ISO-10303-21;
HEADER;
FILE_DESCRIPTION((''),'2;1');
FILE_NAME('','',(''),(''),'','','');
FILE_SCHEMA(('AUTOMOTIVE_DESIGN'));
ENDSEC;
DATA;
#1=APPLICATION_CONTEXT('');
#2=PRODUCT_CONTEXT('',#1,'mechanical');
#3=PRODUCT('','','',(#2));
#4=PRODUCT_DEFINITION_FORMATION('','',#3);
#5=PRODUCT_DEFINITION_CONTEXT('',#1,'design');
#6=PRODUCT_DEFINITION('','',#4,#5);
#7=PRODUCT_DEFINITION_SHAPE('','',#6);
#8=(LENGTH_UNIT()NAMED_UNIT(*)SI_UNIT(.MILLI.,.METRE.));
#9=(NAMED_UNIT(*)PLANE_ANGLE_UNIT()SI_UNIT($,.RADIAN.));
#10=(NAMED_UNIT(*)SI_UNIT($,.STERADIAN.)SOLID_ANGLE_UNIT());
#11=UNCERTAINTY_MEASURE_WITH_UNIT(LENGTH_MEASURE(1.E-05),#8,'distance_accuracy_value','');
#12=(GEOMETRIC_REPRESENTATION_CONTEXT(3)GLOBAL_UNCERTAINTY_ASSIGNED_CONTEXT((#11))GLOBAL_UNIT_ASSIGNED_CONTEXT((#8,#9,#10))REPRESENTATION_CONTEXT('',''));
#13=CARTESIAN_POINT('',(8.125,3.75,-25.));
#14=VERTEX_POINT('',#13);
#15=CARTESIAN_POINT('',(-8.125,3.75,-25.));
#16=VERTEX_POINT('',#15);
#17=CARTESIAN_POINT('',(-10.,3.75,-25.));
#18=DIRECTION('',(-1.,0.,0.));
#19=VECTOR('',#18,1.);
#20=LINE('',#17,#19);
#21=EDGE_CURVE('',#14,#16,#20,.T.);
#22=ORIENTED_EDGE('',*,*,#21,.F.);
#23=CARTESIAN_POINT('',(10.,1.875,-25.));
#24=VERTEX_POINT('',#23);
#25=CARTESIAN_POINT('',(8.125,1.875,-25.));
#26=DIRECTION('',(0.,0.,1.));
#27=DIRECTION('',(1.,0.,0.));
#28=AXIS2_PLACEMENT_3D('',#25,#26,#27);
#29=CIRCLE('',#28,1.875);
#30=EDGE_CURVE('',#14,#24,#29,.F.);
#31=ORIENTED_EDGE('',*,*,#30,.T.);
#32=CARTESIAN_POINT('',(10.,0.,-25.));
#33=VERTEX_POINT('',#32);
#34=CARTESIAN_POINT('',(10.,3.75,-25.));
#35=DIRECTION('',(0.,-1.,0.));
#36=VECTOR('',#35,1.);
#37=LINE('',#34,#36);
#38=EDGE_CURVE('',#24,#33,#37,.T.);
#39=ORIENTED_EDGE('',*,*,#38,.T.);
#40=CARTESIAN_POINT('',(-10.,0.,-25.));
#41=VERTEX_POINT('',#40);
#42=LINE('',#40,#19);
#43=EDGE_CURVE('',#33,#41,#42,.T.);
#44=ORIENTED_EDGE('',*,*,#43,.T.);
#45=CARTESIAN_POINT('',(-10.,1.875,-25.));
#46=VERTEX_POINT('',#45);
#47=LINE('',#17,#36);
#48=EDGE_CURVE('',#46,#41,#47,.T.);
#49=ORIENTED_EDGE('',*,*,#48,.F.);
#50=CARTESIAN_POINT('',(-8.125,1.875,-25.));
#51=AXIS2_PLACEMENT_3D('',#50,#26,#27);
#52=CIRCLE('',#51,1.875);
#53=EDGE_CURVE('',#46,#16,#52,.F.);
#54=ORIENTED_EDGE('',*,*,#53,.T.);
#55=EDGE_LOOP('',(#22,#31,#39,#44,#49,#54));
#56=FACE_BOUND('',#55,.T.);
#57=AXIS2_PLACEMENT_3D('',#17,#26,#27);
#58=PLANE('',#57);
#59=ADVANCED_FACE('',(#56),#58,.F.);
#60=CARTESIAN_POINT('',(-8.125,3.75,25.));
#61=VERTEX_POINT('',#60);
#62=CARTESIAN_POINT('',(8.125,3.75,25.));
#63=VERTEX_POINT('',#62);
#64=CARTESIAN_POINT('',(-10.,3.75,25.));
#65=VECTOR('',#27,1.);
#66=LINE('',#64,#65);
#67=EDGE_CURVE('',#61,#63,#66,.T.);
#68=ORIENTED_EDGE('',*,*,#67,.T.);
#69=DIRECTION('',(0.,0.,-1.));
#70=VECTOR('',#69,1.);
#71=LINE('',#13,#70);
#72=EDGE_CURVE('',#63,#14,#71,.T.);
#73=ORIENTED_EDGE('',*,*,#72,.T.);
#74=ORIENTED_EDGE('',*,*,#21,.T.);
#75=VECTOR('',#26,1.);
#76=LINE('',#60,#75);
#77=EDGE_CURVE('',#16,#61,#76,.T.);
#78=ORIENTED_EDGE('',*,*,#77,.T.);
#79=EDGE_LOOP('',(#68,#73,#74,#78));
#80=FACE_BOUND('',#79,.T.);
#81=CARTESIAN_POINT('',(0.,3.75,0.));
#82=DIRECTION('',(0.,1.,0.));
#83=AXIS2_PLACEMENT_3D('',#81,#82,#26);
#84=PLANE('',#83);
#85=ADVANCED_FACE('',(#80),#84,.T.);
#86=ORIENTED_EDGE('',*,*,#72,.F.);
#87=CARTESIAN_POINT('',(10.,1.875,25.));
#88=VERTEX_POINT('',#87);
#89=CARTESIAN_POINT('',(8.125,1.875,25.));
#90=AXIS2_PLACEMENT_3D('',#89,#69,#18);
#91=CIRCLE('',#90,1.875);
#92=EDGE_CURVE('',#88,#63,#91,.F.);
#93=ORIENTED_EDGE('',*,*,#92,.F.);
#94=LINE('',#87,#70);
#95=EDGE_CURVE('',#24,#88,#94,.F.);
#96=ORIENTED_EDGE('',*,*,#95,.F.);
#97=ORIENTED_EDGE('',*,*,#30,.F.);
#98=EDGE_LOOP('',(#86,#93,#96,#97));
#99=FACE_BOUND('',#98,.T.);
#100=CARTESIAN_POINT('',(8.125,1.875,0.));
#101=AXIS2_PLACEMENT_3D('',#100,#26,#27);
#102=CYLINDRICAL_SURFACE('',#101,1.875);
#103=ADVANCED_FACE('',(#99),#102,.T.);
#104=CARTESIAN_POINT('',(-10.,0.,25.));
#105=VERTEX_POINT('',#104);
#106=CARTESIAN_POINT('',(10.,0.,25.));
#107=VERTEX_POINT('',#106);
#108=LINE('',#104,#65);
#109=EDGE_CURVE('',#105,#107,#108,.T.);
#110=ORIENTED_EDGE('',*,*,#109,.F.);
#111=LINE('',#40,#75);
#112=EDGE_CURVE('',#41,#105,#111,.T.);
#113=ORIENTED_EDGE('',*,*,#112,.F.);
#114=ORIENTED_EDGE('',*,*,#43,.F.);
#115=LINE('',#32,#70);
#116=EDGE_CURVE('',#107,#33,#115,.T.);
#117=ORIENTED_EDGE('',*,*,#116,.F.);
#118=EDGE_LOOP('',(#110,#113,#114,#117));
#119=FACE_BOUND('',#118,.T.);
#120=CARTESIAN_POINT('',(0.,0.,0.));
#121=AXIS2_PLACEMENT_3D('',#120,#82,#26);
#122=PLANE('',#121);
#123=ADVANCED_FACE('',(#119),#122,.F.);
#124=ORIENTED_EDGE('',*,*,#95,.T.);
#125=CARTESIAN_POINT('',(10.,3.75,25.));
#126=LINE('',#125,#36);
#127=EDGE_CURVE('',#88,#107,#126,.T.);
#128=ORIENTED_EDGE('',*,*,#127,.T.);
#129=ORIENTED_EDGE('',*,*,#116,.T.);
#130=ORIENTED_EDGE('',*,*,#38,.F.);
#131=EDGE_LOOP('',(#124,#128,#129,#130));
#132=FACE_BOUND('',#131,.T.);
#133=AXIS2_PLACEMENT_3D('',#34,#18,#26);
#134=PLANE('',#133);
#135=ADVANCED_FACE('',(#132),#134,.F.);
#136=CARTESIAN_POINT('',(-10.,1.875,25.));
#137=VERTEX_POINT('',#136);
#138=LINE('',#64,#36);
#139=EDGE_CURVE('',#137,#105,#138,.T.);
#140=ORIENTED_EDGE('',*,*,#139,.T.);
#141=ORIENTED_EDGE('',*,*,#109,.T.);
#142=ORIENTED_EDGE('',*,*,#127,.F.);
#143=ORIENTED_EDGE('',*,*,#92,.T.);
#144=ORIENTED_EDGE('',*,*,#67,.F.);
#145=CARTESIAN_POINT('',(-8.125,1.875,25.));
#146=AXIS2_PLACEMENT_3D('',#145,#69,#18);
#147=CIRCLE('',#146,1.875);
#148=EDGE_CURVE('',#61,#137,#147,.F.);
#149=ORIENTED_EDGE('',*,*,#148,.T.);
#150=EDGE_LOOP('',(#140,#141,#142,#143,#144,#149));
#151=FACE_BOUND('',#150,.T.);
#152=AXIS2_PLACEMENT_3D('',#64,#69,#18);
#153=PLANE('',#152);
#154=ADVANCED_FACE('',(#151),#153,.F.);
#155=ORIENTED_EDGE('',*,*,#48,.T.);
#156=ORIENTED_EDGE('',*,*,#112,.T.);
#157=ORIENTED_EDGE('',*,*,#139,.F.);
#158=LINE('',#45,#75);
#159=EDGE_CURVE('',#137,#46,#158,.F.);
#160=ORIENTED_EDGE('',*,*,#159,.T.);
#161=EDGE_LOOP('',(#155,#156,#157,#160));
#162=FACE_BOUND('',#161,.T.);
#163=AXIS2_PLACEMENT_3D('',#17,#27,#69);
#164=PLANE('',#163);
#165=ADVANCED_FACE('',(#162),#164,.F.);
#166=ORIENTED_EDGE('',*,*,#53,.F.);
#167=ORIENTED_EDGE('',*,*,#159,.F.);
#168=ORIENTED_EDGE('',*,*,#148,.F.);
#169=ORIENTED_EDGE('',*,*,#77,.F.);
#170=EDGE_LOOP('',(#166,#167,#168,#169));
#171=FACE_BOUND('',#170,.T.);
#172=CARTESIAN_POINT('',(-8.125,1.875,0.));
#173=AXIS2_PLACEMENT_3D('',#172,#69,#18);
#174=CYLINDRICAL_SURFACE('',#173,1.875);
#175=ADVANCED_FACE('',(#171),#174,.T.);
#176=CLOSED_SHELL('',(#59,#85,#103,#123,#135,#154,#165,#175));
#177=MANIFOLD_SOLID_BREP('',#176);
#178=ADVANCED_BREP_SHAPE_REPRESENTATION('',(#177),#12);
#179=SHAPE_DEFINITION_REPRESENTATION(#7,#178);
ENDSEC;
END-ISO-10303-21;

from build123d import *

# Parameters (mm, degrees)
SKETCH1_W           = 20
SKETCH1_H           = 50
BOSS_EXTRUDE1_DEPTH = 3.75
FILLET1_R           = 1.875


with BuildPart() as part:
    # Sketch1 → Boss-Extrude1 (new body)
    with BuildSketch(Plane(origin=(0, 0, 0), x_dir=(1, 0, 0), z_dir=(0, 1, 0))):
        Rectangle(SKETCH1_W, SKETCH1_H)
    extrude(amount=BOSS_EXTRUDE1_DEPTH)

    # Fillet1
    fillet1_edges = [part.edges().sort_by_distance(p)[0] for p in [
        (-10, 3.75, 0),
        (10, 3.75, 0),
    ]]
    fillet(fillet1_edges, radius=FILLET1_R)


solid = part.part
